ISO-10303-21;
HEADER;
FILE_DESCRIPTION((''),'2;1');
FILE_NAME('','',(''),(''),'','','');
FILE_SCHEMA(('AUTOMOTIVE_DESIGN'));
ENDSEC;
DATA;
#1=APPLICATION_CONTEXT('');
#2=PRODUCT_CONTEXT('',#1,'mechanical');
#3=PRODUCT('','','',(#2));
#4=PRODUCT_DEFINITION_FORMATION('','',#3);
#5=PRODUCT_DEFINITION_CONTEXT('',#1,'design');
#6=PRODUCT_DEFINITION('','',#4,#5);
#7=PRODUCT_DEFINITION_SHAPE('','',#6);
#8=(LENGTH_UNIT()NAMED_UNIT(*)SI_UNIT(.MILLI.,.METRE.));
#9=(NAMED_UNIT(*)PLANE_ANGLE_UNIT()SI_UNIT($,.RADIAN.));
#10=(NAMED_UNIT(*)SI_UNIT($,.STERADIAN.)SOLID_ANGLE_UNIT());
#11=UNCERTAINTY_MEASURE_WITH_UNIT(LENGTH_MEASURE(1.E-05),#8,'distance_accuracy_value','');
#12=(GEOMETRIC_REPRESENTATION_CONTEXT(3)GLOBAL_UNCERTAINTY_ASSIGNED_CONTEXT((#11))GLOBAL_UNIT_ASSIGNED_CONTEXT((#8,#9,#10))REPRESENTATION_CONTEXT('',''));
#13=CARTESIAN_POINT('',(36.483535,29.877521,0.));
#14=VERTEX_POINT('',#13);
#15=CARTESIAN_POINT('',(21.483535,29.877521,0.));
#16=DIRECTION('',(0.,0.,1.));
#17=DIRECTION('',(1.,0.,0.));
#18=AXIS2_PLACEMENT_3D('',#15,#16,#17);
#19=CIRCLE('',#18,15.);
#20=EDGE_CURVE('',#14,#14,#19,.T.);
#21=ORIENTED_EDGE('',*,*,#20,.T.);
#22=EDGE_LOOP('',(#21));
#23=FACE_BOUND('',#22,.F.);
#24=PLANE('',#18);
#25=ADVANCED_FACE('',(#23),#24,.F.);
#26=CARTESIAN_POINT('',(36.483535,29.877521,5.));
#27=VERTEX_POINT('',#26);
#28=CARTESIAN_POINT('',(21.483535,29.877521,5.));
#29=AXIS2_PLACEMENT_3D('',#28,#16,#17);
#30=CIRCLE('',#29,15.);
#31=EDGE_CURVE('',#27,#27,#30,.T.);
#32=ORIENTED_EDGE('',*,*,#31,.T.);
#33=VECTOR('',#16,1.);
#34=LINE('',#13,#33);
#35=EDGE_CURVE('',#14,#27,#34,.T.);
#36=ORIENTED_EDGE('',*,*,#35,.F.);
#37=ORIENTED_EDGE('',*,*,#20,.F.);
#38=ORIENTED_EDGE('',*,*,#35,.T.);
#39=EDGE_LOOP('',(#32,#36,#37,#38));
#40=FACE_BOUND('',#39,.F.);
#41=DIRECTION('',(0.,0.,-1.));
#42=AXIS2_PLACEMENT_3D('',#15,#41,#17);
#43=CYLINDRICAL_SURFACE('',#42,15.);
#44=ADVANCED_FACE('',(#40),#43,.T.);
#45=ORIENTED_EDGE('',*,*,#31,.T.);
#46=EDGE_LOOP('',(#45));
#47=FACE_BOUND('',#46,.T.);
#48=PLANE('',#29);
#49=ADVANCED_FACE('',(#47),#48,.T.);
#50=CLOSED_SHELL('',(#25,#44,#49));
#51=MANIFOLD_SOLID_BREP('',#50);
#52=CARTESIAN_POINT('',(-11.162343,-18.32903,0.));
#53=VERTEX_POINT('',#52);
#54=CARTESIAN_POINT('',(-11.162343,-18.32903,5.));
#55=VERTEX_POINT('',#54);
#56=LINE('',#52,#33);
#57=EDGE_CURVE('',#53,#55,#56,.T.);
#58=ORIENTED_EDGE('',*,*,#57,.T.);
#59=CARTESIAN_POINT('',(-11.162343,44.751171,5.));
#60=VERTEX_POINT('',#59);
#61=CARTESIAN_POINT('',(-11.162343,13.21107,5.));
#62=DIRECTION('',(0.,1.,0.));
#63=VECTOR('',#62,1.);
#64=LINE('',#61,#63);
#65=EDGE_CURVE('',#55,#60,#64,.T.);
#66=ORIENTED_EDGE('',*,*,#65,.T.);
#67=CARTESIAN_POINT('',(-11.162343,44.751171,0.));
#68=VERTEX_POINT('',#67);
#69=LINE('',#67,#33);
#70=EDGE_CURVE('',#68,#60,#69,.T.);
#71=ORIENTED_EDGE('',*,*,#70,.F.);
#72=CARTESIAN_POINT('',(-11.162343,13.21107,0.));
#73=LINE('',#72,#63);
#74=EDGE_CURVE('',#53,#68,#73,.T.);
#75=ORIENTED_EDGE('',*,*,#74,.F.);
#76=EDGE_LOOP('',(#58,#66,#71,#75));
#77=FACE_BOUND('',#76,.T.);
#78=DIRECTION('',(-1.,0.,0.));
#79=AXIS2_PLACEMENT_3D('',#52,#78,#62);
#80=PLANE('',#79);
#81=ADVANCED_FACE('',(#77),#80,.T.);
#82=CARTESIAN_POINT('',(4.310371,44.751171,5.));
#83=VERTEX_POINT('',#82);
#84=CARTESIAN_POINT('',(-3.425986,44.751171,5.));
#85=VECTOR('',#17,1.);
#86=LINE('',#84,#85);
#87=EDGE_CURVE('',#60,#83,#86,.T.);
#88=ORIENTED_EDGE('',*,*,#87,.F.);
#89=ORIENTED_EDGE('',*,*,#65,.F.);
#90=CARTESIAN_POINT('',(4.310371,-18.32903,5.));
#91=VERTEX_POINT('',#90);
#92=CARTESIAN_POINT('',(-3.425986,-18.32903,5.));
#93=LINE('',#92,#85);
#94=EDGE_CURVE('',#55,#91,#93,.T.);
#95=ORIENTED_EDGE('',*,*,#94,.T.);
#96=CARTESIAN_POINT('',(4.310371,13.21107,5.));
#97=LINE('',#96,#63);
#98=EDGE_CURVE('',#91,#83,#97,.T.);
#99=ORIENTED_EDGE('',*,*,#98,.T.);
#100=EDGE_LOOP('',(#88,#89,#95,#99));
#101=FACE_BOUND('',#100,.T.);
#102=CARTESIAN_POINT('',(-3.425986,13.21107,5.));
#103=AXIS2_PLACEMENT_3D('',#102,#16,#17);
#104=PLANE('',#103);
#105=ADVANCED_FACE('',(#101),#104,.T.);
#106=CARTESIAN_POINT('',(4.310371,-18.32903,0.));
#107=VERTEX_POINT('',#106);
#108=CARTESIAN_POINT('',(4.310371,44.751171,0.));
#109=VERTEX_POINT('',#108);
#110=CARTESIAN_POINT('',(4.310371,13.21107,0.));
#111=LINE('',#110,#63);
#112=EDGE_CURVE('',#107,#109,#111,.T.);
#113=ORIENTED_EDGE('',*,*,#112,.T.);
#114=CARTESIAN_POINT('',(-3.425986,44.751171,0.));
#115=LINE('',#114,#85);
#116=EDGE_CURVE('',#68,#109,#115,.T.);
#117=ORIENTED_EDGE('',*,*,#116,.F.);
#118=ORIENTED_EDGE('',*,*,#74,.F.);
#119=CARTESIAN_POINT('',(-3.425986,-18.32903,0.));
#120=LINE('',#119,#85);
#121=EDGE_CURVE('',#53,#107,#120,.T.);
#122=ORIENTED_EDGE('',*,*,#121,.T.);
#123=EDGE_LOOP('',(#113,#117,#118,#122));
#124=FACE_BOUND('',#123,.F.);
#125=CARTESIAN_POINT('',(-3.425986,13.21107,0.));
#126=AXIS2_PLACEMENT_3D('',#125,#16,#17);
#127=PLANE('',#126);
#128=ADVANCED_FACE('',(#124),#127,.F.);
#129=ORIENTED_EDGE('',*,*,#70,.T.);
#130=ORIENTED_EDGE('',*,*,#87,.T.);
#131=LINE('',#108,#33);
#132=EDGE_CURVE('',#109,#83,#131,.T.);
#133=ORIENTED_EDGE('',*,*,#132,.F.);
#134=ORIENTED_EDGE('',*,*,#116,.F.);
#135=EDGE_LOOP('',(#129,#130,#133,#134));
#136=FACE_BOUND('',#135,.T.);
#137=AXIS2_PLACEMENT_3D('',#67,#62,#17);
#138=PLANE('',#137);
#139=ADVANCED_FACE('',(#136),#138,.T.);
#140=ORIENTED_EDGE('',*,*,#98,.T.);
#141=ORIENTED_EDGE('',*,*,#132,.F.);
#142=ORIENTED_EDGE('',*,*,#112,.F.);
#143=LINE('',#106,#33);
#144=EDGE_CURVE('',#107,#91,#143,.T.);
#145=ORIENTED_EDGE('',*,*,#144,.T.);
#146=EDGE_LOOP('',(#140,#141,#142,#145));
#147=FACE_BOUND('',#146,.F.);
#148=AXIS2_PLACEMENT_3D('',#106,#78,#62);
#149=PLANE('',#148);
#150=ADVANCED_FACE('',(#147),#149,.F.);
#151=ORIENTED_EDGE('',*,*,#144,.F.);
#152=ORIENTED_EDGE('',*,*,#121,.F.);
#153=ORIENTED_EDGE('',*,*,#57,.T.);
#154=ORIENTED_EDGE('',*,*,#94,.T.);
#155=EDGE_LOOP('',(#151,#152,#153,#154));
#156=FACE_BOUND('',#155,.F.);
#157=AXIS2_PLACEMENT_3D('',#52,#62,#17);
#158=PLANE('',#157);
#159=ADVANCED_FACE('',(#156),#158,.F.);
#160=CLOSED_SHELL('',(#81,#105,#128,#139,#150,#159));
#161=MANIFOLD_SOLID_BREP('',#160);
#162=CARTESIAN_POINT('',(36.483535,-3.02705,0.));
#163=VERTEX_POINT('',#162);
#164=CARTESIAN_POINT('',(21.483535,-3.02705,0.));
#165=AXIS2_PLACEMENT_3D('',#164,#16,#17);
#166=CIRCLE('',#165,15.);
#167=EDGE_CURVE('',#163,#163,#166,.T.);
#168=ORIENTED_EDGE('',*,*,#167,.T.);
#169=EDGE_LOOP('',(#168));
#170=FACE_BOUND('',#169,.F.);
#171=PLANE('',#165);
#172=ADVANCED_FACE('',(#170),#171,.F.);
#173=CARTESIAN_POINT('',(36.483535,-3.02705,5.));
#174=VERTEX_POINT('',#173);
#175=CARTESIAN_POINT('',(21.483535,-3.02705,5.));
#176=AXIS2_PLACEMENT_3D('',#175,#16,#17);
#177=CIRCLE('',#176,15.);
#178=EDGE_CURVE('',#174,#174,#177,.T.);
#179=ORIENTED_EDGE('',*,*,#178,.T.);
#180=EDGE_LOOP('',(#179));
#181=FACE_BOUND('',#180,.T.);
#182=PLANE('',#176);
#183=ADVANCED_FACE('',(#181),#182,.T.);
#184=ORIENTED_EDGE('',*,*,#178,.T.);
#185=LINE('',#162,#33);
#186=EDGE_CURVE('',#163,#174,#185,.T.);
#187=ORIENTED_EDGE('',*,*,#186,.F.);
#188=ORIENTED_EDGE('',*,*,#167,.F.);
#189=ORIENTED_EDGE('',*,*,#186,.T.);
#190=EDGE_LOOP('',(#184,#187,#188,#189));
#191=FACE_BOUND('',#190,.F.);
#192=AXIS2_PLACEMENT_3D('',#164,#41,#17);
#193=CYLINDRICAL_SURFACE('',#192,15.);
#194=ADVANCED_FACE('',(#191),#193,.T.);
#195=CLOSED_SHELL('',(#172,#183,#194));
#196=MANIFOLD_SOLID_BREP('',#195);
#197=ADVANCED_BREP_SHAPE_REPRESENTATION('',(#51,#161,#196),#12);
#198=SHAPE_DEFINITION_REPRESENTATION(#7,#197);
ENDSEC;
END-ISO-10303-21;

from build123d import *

# Parameters (mm, degrees)
F0_R     = 15
F0_W     = 15.472714
F0_H     = 63.080201
F1_DEPTH = 5


with BuildPart() as f1:
    # F0 (on Top) → F1 (new body)
    with BuildSketch(Plane.XY):
        with Locations((21.483535, 29.877521)):
            Circle(F0_R)
        with Locations((21.483535, -3.02705)):
            Circle(F0_R)
        with Locations((-3.425986, 13.21107)):
            Rectangle(F0_W, F0_H)
    extrude(amount=F1_DEPTH)


solid = f1.part
